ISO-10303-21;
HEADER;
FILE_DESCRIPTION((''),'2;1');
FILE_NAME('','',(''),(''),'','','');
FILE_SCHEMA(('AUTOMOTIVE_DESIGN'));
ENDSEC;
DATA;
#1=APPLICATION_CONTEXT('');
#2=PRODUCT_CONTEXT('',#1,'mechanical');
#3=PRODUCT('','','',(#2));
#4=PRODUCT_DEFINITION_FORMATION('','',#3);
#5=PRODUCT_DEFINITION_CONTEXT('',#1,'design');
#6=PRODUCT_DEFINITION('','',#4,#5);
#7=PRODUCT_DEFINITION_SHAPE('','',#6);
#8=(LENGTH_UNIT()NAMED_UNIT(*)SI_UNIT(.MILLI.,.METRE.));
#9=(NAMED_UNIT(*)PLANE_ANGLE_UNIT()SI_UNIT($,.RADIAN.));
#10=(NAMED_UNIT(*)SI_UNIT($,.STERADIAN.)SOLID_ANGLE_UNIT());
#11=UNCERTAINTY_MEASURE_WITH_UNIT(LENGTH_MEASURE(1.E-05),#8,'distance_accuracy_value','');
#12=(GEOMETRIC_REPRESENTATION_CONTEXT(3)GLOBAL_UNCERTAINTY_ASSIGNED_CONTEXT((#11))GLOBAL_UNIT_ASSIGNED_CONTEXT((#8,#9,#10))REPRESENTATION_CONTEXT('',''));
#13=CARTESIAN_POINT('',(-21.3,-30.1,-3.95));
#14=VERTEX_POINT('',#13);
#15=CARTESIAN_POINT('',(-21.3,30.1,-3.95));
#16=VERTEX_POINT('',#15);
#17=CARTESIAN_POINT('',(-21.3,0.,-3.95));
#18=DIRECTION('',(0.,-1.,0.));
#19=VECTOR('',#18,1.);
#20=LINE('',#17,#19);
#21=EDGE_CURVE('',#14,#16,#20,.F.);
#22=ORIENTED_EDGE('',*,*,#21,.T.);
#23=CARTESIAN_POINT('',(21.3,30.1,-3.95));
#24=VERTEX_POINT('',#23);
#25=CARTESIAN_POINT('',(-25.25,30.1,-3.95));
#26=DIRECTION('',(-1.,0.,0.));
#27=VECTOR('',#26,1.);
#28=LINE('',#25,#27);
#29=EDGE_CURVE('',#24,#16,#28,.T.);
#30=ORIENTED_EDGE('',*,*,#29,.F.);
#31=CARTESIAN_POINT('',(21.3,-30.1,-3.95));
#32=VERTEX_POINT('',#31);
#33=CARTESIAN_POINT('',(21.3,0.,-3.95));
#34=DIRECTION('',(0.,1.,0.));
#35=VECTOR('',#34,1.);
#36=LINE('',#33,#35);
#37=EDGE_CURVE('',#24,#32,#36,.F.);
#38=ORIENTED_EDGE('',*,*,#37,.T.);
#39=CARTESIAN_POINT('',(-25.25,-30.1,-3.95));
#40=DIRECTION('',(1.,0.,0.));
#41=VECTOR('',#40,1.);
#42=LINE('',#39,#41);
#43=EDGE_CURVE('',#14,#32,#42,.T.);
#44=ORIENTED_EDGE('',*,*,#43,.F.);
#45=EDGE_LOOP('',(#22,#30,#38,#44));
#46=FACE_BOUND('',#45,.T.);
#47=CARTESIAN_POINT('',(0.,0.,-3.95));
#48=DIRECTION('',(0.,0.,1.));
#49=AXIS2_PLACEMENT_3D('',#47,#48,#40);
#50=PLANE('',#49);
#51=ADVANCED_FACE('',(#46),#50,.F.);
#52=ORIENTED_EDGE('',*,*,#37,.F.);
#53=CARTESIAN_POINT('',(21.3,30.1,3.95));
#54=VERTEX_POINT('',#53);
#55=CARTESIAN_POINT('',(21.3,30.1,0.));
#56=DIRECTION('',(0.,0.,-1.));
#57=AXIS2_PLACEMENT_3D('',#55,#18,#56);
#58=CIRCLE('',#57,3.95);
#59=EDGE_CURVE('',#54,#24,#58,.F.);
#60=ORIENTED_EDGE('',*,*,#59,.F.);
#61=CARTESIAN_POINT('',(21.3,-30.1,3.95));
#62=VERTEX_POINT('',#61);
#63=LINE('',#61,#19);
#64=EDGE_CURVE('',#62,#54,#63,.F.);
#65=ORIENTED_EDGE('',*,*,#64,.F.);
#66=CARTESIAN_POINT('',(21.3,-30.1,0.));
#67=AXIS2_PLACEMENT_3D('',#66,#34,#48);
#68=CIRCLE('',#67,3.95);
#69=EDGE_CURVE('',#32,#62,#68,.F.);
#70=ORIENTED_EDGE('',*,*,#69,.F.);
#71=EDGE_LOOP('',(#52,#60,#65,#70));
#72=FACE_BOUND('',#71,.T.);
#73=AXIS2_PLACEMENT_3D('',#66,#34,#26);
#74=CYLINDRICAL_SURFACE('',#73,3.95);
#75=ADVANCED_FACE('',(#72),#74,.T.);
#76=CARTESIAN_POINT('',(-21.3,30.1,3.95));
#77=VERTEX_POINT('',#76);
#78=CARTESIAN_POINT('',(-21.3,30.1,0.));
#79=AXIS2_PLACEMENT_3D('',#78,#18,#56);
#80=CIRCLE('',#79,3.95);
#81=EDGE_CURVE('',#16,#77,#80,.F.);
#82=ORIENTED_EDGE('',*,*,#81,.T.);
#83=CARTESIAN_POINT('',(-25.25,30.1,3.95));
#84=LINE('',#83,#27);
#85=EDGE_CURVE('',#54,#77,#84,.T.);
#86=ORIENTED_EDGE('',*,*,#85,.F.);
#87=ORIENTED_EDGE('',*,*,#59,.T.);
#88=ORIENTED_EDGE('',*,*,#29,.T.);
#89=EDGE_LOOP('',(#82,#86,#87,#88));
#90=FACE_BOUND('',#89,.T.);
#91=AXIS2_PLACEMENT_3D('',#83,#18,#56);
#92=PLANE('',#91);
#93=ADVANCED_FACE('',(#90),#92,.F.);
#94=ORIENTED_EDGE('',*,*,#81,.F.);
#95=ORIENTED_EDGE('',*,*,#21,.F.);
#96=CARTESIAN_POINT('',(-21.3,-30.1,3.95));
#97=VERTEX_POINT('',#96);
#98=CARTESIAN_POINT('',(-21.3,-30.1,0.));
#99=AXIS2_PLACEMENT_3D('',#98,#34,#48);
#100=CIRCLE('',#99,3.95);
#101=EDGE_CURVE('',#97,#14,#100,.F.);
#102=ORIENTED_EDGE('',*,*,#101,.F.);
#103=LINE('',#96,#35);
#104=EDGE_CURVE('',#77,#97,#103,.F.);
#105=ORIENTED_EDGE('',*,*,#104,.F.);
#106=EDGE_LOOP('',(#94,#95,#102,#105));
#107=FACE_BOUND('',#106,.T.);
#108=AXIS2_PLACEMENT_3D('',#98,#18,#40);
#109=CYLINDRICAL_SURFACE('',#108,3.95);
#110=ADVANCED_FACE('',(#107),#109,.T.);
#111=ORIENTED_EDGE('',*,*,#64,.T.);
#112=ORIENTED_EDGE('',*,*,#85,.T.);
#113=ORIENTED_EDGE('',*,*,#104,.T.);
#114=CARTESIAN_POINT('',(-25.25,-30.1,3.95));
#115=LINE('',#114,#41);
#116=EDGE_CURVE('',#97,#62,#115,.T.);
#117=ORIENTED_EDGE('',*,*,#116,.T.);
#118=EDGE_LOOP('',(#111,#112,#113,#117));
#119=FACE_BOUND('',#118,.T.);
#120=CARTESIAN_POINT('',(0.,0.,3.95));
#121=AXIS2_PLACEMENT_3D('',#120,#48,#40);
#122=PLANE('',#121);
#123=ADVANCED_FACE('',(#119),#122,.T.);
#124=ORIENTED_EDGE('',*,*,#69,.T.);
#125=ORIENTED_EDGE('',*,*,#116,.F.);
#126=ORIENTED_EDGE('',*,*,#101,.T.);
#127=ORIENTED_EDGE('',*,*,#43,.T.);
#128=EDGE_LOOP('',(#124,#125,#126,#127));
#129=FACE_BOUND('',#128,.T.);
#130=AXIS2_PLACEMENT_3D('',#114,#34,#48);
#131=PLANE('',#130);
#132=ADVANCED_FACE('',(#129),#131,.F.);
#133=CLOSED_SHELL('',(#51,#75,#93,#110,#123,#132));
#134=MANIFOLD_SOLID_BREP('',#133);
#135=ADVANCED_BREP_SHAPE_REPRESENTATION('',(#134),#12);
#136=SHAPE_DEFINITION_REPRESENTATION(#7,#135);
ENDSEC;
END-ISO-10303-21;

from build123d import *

# Parameters (mm, degrees)
SKETCH1_W           = 50.5
SKETCH1_H           = 60.2
BOSS_EXTRUDE1_DEPTH = 3.95
FILLET1_RADIUS      = 3.95
FILLET1_LENGTH      = 60.2
FILLET2_RADIUS      = 3.95
FILLET2_LENGTH      = 60.2


with BuildPart() as part:
    # Sketch1 → Boss-Extrude1 (new, symmetric)
    with BuildSketch(Plane.XY):
        Rectangle(SKETCH1_W, SKETCH1_H)
    extrude(amount=BOSS_EXTRUDE1_DEPTH, both=True)

    # Fillet1: full round fillet: the end face becomes a half cylinder, R = half its width
    fillet1_face = Plane((-25.25, 0, 0), x_dir=(0, 1, 0), z_dir=(-1, 0, 0))  # on the end face: x along it, z out of the body
    fillet1_slab = fillet1_face.offset(-FILLET1_RADIUS / 2) * Box(FILLET1_LENGTH, 2 * FILLET1_RADIUS, FILLET1_RADIUS, mode=Mode.PRIVATE)  # the body's end, R deep
    fillet1_round = Plane((-21.3, 0, 0), x_dir=(-1, 0, 0), z_dir=(0, 1, 0)) * Cylinder(FILLET1_RADIUS, FILLET1_LENGTH, mode=Mode.PRIVATE)  # its axis R under the face
    add(fillet1_slab - fillet1_round, mode=Mode.SUBTRACT)

    # Fillet2: full round fillet: the end face becomes a half cylinder, R = half its width
    fillet2_face = Plane((25.25, 0, 0), x_dir=(0, -1, 0), z_dir=(1, 0, 0))  # on the end face: x along it, z out of the body
    fillet2_slab = fillet2_face.offset(-FILLET2_RADIUS / 2) * Box(FILLET2_LENGTH, 2 * FILLET2_RADIUS, FILLET2_RADIUS, mode=Mode.PRIVATE)  # the body's end, R deep
    fillet2_round = Plane((21.3, 0, 0), x_dir=(1, 0, 0), z_dir=(0, -1, 0)) * Cylinder(FILLET2_RADIUS, FILLET2_LENGTH, mode=Mode.PRIVATE)  # its axis R under the face
    add(fillet2_slab - fillet2_round, mode=Mode.SUBTRACT)


solid = part.part
